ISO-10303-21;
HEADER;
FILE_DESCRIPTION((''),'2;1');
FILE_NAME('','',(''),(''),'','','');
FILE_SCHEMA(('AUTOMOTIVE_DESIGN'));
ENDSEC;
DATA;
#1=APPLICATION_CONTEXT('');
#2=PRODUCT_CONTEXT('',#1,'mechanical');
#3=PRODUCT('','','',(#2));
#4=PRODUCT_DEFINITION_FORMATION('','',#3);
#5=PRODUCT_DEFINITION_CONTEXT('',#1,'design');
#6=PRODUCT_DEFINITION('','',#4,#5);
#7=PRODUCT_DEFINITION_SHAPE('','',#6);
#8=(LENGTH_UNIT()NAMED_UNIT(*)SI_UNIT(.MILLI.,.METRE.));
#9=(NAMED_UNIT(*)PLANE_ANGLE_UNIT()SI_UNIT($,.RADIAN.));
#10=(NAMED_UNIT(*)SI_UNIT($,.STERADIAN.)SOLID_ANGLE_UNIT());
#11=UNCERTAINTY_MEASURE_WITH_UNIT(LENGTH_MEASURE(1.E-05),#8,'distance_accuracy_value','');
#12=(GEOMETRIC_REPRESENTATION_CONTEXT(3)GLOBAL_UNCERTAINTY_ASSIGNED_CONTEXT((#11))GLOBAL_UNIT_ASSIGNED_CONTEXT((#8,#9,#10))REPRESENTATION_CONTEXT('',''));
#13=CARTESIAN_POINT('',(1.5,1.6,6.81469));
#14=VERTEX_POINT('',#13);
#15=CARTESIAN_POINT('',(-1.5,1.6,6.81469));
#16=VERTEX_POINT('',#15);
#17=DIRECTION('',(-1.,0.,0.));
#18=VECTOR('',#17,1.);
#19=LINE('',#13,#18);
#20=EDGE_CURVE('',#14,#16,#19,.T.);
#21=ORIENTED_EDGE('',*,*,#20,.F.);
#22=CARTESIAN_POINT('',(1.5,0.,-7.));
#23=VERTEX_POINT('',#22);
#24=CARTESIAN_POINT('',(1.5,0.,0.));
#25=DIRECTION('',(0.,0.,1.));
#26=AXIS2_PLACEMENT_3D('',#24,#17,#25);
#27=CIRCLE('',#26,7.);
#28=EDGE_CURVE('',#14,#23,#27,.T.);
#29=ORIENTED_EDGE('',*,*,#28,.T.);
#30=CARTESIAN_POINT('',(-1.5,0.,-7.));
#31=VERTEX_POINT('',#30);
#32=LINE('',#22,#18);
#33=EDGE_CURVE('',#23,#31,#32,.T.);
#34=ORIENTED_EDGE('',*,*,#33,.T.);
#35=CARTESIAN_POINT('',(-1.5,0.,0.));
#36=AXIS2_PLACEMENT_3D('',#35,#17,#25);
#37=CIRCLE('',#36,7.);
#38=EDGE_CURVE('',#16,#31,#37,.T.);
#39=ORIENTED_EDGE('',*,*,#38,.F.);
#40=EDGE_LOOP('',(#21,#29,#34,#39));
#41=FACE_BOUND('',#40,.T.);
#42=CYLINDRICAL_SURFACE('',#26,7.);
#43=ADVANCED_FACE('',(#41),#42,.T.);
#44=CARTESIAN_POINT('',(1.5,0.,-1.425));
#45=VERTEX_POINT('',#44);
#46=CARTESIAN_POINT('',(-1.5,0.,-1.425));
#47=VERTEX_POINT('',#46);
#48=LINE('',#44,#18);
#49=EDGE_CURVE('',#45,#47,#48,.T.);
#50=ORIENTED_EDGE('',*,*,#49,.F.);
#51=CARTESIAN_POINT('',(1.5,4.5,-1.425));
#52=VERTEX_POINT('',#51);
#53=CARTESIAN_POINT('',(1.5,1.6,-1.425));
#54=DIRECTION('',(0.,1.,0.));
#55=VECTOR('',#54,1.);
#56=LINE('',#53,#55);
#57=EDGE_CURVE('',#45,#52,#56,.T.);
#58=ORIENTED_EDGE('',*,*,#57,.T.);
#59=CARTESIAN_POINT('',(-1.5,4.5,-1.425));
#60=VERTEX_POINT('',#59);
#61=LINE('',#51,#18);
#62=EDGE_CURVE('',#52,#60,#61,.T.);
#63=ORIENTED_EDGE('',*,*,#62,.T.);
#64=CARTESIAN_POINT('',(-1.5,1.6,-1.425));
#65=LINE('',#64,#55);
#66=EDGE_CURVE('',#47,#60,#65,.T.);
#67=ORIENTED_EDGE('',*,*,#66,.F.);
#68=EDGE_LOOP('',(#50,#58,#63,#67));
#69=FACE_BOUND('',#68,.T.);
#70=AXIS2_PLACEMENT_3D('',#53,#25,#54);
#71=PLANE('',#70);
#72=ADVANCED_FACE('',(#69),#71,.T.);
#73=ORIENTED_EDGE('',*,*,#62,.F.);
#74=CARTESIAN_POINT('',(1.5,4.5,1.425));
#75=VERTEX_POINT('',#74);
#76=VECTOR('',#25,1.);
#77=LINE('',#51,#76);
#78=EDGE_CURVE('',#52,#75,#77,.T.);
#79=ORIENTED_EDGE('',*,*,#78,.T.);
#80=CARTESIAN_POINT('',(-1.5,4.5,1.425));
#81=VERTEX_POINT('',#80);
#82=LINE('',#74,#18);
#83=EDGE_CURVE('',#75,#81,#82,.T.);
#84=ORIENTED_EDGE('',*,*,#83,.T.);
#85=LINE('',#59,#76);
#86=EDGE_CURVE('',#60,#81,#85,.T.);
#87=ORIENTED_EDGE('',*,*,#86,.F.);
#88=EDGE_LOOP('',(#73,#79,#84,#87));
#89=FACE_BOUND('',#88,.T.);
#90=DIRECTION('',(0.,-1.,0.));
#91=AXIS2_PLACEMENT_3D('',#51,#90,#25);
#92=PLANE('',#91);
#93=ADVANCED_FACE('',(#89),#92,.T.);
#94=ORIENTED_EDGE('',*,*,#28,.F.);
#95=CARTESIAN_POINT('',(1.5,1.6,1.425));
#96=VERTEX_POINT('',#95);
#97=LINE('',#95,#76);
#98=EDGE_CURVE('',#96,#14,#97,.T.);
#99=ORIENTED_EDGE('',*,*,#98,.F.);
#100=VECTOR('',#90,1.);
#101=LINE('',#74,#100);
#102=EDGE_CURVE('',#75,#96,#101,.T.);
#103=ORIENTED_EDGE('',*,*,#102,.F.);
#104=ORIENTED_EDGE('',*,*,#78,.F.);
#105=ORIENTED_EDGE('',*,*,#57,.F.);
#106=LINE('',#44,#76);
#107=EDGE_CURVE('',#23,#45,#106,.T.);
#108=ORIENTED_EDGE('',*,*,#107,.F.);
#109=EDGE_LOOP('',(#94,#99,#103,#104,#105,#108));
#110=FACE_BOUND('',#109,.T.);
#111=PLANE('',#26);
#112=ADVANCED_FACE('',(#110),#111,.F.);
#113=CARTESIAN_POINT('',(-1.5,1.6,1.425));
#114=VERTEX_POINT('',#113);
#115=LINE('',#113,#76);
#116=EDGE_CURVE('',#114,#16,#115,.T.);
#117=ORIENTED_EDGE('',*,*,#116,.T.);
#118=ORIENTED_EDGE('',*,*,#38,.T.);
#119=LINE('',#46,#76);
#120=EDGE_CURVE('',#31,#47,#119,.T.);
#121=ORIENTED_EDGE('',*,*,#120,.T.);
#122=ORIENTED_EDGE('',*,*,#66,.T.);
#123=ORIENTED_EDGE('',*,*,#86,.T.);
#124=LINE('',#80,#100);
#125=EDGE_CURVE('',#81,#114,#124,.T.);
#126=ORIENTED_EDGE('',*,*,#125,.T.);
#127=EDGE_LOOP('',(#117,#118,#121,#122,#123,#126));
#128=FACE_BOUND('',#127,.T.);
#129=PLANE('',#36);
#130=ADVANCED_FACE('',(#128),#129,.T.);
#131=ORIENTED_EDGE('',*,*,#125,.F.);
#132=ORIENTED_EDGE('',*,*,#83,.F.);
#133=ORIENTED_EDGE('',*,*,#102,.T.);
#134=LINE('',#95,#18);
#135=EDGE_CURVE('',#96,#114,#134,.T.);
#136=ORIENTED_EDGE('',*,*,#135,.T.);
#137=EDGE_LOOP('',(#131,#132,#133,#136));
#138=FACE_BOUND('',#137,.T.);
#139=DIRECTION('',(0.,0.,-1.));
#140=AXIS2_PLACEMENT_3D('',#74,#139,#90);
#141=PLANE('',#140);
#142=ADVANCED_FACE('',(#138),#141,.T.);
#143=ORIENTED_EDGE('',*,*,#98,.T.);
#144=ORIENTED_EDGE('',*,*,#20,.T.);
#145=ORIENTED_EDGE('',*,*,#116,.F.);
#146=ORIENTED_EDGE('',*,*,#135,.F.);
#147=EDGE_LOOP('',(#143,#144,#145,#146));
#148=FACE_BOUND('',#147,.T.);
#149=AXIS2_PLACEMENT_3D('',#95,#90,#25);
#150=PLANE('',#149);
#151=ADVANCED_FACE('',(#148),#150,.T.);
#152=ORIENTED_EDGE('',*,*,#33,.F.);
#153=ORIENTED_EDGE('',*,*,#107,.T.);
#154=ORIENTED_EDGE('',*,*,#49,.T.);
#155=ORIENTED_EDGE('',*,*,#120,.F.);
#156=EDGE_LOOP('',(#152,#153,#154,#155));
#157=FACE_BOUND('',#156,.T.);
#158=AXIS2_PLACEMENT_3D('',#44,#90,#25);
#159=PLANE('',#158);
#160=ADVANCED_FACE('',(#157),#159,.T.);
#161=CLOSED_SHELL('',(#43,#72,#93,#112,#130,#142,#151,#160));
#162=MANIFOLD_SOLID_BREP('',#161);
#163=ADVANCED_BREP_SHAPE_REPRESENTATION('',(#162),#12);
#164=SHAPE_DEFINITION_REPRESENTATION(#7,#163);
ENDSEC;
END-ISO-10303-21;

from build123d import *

# Parameters (mm, degrees)
BOSS_EXTRUDE1_DEPTH      = 1.5
BOSS_EXTRUDE1_DEPTH_BACK = 1.5
BODY_MOVE_COPY1_ANGLE    = 90


with BuildPart() as part:
    # Sketch2 → Boss-Extrude1 (new, two sides: drawn at the far end of the back side and taken through both)
    with BuildSketch(Plane(origin=(0, 0, 0), x_dir=(1, 0, 0), z_dir=(0, 1, 0)).offset(-BOSS_EXTRUDE1_DEPTH_BACK)):
        with BuildLine():
            Line((1.6, 1.425), (0, 1.425))
            Line((0, 1.425), (0, 7))
            ThreePointArc((0, 7), (0.805347718, 6.953518178), (1.6, 6.814690015))
            ThreePointArc((1.6, 6.814690015), (7, 0), (1.6, -6.814690015))
            Line((1.6, -6.814690015), (1.6, -1.425))
            Line((1.6, -1.425), (4.5, -1.425))
            Line((4.5, -1.425), (4.5, 1.425))
            Line((4.5, 1.425), (1.6, 1.425))
        make_face()
    extrude(amount=BOSS_EXTRUDE1_DEPTH + BOSS_EXTRUDE1_DEPTH_BACK)


with BuildPart() as part_1:
    # Body-Move/Copy1: moved
    add(part.part.rotate(Axis((0, 0, 0), (0, 0, 1)), BODY_MOVE_COPY1_ANGLE))


solid = part_1.part
